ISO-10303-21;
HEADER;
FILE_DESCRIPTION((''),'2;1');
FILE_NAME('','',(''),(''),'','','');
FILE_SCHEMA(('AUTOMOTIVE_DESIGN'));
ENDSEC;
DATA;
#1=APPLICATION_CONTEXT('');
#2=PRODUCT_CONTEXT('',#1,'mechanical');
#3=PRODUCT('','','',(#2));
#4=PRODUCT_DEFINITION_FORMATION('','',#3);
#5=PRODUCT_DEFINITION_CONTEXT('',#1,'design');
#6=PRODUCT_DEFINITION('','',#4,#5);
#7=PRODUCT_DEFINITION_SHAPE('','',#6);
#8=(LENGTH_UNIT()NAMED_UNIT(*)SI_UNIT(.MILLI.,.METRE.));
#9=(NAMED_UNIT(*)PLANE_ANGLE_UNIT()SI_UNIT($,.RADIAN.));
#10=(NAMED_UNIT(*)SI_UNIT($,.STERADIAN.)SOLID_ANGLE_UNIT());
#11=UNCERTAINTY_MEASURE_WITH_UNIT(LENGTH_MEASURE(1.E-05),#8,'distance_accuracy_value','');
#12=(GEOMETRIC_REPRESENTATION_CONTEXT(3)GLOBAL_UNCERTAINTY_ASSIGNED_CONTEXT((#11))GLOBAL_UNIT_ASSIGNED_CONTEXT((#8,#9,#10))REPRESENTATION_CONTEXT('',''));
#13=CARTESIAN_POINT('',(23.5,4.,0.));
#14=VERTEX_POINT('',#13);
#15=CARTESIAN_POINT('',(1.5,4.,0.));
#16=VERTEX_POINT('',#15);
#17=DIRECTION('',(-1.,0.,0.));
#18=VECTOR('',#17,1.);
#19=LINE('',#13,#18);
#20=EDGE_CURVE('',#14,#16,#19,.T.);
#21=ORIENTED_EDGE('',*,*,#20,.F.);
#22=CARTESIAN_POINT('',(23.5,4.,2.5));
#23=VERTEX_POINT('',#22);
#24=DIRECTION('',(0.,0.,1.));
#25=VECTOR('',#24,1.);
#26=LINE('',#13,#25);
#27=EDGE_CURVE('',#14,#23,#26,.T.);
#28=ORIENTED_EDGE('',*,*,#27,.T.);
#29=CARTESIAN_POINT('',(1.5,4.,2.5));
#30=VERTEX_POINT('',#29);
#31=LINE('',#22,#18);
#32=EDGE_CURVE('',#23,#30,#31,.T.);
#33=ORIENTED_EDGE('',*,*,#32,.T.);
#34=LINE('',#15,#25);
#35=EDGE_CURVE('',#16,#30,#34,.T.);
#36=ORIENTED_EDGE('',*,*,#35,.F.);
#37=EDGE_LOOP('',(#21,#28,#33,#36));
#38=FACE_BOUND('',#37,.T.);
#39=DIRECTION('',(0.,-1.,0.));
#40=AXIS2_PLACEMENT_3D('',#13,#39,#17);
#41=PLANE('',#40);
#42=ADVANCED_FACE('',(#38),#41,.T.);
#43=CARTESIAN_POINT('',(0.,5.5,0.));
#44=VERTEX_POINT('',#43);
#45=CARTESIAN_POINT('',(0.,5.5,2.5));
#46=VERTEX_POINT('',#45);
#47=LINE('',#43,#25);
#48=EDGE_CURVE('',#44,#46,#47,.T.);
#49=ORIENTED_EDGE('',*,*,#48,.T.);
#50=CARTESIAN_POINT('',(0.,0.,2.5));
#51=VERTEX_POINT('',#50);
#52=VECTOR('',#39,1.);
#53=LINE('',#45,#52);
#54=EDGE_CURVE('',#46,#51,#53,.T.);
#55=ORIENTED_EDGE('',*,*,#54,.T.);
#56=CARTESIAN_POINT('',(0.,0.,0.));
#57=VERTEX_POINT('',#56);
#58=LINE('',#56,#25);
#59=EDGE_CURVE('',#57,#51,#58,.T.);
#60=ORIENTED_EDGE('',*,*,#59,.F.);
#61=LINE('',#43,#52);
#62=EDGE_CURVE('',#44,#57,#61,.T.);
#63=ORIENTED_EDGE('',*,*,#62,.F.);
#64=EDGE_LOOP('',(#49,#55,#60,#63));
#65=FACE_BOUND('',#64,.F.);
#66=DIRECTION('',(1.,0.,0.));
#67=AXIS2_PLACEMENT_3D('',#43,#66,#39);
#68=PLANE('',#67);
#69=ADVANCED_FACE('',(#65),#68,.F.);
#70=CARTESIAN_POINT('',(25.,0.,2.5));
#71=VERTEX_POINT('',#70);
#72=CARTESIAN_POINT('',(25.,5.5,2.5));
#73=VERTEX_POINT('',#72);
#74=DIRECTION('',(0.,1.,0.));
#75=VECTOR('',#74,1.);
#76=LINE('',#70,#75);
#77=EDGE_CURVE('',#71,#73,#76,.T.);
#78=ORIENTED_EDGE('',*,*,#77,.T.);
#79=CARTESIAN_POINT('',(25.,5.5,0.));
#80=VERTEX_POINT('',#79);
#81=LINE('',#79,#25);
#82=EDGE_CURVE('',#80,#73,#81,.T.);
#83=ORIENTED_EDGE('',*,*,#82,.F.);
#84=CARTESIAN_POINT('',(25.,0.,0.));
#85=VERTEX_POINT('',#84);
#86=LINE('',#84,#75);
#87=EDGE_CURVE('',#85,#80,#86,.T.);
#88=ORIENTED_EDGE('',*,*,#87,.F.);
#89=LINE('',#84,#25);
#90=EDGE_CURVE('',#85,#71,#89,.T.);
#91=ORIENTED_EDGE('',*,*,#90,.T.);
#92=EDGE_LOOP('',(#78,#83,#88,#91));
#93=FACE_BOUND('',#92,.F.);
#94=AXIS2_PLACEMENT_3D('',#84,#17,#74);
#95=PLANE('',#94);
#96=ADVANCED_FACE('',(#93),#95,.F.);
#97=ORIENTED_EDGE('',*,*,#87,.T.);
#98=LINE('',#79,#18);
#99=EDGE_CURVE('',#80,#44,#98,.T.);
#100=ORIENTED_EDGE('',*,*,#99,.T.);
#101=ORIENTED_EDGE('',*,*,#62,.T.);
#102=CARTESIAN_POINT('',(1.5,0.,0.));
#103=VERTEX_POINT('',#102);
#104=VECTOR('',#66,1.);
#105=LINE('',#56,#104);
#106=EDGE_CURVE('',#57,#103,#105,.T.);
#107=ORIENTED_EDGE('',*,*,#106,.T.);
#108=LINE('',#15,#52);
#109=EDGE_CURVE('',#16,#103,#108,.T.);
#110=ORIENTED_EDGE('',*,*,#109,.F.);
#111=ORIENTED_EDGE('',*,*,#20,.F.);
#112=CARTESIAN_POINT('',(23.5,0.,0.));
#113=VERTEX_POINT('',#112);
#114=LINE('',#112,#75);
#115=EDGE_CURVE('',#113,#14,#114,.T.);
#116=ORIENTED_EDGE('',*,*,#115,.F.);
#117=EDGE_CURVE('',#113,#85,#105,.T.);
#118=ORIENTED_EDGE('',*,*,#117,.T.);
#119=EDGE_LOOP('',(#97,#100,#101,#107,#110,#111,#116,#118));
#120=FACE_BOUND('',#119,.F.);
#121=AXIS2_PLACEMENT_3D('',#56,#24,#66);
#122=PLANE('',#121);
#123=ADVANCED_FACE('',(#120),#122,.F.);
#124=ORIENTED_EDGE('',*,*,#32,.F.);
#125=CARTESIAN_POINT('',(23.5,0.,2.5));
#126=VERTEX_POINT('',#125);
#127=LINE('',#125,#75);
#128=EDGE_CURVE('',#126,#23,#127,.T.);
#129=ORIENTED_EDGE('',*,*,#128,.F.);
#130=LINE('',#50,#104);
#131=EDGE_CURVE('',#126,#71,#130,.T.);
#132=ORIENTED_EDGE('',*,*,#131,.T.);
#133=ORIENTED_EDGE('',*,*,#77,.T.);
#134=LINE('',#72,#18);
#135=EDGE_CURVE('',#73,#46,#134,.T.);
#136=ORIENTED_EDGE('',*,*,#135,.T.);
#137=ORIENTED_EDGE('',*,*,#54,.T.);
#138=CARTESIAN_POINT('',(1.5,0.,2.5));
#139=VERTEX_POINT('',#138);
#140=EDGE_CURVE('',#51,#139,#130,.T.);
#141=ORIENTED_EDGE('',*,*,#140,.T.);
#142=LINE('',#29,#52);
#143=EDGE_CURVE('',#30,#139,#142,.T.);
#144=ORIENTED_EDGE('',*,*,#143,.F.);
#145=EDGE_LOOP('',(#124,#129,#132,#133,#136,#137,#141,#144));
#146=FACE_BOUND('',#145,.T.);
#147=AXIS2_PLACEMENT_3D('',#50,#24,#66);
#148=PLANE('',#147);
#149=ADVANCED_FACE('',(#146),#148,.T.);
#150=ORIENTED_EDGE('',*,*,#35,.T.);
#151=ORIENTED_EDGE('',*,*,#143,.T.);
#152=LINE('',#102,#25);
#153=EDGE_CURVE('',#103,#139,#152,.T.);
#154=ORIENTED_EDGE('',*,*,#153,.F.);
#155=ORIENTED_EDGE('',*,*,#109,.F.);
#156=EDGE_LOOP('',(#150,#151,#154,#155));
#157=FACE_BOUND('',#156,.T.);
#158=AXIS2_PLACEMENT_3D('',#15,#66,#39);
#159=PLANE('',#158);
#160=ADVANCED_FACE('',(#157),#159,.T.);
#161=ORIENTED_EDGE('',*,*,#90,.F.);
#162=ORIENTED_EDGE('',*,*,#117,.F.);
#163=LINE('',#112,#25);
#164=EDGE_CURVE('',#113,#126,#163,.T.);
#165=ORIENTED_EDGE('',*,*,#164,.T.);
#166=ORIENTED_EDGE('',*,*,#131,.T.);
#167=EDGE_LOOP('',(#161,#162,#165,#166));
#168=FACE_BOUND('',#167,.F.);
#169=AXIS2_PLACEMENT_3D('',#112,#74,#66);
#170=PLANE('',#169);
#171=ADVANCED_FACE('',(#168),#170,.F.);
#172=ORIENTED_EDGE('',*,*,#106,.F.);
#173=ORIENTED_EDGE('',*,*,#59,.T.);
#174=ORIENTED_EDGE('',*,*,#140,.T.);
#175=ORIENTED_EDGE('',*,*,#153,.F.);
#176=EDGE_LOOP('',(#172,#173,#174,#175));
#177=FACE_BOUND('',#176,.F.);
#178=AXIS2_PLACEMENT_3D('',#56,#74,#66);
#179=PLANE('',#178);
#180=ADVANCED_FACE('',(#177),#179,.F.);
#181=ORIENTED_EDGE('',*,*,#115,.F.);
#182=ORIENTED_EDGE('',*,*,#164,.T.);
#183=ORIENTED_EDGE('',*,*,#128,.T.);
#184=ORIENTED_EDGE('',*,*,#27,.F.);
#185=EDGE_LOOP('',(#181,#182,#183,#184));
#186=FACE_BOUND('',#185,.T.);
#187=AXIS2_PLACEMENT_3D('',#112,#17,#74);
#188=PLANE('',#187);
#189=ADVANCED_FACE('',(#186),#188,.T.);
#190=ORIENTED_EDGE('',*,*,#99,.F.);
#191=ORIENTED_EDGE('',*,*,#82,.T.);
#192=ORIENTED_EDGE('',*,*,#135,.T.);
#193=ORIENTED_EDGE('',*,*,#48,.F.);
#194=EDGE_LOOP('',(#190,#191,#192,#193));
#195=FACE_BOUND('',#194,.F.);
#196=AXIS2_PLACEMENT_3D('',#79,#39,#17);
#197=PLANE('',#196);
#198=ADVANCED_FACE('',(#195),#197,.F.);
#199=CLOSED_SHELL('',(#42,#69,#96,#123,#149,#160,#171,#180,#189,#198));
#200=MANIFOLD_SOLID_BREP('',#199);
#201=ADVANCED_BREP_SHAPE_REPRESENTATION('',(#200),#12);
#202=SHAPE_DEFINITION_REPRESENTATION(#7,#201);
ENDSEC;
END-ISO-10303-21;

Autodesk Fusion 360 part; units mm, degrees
sketch "Sketch1" plane through (0, 0, 0) normal (0, 0, 1) x (1, 0, 0)
  line L0 (0, 0) -> (25, 0)
  line L1 (25, 0) -> (25, 5.5)
  line L2 (25, 5.5) -> (0, 5.5)
  line L3 (0, 5.5) -> (0, 0)
  line L4 (1.5, 0) -> (23.5, 0)
  line L5 (23.5, 0) -> (23.5, 4)
  line L6 (23.5, 4) -> (1.5, 4)
  line L7 (1.5, 4) -> (1.5, 0)
  dimension "d1" = 25
  dimension "d3" = 22
  dimension "d4" = 4
  dimension "d5" = 1.5
extrude "Extrude1" add sketch "Sketch1" along normal blind 2.5 contours L0 L1 L2 L3 L5 L6 L7
